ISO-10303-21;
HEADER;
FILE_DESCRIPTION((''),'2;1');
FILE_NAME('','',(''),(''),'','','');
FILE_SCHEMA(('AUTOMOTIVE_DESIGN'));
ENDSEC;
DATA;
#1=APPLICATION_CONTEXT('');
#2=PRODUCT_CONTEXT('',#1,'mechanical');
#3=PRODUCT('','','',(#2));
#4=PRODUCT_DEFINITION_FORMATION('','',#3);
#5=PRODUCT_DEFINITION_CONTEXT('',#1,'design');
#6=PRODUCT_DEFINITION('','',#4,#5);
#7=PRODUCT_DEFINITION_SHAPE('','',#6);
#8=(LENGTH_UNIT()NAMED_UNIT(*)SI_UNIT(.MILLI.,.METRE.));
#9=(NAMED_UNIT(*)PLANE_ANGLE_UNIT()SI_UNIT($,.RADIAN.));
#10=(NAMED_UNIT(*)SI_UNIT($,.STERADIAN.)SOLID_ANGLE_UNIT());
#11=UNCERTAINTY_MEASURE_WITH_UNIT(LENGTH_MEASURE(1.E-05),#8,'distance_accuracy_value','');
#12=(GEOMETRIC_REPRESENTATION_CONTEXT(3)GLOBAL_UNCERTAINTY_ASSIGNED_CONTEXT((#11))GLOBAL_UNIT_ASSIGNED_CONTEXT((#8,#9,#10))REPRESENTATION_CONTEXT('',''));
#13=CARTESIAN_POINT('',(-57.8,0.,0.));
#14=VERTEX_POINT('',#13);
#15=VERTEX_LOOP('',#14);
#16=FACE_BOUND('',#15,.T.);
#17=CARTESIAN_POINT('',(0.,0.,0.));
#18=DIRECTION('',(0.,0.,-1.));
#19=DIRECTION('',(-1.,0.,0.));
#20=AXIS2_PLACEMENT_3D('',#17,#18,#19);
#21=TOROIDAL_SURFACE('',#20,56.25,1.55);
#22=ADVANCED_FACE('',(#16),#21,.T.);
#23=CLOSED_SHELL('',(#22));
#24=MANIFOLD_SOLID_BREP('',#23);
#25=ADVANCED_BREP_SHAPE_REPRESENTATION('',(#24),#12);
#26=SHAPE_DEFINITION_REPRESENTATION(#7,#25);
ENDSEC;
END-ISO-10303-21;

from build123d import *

# Parameters (mm, degrees)
SKETCH2_R = 1.55


with BuildPart() as part:
    # Sweep1: sweep along a path in Sketch1
    with BuildLine(Plane.XY) as sweep1_path:
        CenterArc((0, 0), 54.7, 0, 360)
    # Sketch2 → Sweep1 (sweep)
    with BuildSketch(Plane(origin=(0, 0, 0), x_dir=(1, 0, 0), z_dir=(0, 1, 0))):
        with Locations((-56.25, 0)):
            Circle(SKETCH2_R)
    sweep(path=sweep1_path.line)


solid = part.part
